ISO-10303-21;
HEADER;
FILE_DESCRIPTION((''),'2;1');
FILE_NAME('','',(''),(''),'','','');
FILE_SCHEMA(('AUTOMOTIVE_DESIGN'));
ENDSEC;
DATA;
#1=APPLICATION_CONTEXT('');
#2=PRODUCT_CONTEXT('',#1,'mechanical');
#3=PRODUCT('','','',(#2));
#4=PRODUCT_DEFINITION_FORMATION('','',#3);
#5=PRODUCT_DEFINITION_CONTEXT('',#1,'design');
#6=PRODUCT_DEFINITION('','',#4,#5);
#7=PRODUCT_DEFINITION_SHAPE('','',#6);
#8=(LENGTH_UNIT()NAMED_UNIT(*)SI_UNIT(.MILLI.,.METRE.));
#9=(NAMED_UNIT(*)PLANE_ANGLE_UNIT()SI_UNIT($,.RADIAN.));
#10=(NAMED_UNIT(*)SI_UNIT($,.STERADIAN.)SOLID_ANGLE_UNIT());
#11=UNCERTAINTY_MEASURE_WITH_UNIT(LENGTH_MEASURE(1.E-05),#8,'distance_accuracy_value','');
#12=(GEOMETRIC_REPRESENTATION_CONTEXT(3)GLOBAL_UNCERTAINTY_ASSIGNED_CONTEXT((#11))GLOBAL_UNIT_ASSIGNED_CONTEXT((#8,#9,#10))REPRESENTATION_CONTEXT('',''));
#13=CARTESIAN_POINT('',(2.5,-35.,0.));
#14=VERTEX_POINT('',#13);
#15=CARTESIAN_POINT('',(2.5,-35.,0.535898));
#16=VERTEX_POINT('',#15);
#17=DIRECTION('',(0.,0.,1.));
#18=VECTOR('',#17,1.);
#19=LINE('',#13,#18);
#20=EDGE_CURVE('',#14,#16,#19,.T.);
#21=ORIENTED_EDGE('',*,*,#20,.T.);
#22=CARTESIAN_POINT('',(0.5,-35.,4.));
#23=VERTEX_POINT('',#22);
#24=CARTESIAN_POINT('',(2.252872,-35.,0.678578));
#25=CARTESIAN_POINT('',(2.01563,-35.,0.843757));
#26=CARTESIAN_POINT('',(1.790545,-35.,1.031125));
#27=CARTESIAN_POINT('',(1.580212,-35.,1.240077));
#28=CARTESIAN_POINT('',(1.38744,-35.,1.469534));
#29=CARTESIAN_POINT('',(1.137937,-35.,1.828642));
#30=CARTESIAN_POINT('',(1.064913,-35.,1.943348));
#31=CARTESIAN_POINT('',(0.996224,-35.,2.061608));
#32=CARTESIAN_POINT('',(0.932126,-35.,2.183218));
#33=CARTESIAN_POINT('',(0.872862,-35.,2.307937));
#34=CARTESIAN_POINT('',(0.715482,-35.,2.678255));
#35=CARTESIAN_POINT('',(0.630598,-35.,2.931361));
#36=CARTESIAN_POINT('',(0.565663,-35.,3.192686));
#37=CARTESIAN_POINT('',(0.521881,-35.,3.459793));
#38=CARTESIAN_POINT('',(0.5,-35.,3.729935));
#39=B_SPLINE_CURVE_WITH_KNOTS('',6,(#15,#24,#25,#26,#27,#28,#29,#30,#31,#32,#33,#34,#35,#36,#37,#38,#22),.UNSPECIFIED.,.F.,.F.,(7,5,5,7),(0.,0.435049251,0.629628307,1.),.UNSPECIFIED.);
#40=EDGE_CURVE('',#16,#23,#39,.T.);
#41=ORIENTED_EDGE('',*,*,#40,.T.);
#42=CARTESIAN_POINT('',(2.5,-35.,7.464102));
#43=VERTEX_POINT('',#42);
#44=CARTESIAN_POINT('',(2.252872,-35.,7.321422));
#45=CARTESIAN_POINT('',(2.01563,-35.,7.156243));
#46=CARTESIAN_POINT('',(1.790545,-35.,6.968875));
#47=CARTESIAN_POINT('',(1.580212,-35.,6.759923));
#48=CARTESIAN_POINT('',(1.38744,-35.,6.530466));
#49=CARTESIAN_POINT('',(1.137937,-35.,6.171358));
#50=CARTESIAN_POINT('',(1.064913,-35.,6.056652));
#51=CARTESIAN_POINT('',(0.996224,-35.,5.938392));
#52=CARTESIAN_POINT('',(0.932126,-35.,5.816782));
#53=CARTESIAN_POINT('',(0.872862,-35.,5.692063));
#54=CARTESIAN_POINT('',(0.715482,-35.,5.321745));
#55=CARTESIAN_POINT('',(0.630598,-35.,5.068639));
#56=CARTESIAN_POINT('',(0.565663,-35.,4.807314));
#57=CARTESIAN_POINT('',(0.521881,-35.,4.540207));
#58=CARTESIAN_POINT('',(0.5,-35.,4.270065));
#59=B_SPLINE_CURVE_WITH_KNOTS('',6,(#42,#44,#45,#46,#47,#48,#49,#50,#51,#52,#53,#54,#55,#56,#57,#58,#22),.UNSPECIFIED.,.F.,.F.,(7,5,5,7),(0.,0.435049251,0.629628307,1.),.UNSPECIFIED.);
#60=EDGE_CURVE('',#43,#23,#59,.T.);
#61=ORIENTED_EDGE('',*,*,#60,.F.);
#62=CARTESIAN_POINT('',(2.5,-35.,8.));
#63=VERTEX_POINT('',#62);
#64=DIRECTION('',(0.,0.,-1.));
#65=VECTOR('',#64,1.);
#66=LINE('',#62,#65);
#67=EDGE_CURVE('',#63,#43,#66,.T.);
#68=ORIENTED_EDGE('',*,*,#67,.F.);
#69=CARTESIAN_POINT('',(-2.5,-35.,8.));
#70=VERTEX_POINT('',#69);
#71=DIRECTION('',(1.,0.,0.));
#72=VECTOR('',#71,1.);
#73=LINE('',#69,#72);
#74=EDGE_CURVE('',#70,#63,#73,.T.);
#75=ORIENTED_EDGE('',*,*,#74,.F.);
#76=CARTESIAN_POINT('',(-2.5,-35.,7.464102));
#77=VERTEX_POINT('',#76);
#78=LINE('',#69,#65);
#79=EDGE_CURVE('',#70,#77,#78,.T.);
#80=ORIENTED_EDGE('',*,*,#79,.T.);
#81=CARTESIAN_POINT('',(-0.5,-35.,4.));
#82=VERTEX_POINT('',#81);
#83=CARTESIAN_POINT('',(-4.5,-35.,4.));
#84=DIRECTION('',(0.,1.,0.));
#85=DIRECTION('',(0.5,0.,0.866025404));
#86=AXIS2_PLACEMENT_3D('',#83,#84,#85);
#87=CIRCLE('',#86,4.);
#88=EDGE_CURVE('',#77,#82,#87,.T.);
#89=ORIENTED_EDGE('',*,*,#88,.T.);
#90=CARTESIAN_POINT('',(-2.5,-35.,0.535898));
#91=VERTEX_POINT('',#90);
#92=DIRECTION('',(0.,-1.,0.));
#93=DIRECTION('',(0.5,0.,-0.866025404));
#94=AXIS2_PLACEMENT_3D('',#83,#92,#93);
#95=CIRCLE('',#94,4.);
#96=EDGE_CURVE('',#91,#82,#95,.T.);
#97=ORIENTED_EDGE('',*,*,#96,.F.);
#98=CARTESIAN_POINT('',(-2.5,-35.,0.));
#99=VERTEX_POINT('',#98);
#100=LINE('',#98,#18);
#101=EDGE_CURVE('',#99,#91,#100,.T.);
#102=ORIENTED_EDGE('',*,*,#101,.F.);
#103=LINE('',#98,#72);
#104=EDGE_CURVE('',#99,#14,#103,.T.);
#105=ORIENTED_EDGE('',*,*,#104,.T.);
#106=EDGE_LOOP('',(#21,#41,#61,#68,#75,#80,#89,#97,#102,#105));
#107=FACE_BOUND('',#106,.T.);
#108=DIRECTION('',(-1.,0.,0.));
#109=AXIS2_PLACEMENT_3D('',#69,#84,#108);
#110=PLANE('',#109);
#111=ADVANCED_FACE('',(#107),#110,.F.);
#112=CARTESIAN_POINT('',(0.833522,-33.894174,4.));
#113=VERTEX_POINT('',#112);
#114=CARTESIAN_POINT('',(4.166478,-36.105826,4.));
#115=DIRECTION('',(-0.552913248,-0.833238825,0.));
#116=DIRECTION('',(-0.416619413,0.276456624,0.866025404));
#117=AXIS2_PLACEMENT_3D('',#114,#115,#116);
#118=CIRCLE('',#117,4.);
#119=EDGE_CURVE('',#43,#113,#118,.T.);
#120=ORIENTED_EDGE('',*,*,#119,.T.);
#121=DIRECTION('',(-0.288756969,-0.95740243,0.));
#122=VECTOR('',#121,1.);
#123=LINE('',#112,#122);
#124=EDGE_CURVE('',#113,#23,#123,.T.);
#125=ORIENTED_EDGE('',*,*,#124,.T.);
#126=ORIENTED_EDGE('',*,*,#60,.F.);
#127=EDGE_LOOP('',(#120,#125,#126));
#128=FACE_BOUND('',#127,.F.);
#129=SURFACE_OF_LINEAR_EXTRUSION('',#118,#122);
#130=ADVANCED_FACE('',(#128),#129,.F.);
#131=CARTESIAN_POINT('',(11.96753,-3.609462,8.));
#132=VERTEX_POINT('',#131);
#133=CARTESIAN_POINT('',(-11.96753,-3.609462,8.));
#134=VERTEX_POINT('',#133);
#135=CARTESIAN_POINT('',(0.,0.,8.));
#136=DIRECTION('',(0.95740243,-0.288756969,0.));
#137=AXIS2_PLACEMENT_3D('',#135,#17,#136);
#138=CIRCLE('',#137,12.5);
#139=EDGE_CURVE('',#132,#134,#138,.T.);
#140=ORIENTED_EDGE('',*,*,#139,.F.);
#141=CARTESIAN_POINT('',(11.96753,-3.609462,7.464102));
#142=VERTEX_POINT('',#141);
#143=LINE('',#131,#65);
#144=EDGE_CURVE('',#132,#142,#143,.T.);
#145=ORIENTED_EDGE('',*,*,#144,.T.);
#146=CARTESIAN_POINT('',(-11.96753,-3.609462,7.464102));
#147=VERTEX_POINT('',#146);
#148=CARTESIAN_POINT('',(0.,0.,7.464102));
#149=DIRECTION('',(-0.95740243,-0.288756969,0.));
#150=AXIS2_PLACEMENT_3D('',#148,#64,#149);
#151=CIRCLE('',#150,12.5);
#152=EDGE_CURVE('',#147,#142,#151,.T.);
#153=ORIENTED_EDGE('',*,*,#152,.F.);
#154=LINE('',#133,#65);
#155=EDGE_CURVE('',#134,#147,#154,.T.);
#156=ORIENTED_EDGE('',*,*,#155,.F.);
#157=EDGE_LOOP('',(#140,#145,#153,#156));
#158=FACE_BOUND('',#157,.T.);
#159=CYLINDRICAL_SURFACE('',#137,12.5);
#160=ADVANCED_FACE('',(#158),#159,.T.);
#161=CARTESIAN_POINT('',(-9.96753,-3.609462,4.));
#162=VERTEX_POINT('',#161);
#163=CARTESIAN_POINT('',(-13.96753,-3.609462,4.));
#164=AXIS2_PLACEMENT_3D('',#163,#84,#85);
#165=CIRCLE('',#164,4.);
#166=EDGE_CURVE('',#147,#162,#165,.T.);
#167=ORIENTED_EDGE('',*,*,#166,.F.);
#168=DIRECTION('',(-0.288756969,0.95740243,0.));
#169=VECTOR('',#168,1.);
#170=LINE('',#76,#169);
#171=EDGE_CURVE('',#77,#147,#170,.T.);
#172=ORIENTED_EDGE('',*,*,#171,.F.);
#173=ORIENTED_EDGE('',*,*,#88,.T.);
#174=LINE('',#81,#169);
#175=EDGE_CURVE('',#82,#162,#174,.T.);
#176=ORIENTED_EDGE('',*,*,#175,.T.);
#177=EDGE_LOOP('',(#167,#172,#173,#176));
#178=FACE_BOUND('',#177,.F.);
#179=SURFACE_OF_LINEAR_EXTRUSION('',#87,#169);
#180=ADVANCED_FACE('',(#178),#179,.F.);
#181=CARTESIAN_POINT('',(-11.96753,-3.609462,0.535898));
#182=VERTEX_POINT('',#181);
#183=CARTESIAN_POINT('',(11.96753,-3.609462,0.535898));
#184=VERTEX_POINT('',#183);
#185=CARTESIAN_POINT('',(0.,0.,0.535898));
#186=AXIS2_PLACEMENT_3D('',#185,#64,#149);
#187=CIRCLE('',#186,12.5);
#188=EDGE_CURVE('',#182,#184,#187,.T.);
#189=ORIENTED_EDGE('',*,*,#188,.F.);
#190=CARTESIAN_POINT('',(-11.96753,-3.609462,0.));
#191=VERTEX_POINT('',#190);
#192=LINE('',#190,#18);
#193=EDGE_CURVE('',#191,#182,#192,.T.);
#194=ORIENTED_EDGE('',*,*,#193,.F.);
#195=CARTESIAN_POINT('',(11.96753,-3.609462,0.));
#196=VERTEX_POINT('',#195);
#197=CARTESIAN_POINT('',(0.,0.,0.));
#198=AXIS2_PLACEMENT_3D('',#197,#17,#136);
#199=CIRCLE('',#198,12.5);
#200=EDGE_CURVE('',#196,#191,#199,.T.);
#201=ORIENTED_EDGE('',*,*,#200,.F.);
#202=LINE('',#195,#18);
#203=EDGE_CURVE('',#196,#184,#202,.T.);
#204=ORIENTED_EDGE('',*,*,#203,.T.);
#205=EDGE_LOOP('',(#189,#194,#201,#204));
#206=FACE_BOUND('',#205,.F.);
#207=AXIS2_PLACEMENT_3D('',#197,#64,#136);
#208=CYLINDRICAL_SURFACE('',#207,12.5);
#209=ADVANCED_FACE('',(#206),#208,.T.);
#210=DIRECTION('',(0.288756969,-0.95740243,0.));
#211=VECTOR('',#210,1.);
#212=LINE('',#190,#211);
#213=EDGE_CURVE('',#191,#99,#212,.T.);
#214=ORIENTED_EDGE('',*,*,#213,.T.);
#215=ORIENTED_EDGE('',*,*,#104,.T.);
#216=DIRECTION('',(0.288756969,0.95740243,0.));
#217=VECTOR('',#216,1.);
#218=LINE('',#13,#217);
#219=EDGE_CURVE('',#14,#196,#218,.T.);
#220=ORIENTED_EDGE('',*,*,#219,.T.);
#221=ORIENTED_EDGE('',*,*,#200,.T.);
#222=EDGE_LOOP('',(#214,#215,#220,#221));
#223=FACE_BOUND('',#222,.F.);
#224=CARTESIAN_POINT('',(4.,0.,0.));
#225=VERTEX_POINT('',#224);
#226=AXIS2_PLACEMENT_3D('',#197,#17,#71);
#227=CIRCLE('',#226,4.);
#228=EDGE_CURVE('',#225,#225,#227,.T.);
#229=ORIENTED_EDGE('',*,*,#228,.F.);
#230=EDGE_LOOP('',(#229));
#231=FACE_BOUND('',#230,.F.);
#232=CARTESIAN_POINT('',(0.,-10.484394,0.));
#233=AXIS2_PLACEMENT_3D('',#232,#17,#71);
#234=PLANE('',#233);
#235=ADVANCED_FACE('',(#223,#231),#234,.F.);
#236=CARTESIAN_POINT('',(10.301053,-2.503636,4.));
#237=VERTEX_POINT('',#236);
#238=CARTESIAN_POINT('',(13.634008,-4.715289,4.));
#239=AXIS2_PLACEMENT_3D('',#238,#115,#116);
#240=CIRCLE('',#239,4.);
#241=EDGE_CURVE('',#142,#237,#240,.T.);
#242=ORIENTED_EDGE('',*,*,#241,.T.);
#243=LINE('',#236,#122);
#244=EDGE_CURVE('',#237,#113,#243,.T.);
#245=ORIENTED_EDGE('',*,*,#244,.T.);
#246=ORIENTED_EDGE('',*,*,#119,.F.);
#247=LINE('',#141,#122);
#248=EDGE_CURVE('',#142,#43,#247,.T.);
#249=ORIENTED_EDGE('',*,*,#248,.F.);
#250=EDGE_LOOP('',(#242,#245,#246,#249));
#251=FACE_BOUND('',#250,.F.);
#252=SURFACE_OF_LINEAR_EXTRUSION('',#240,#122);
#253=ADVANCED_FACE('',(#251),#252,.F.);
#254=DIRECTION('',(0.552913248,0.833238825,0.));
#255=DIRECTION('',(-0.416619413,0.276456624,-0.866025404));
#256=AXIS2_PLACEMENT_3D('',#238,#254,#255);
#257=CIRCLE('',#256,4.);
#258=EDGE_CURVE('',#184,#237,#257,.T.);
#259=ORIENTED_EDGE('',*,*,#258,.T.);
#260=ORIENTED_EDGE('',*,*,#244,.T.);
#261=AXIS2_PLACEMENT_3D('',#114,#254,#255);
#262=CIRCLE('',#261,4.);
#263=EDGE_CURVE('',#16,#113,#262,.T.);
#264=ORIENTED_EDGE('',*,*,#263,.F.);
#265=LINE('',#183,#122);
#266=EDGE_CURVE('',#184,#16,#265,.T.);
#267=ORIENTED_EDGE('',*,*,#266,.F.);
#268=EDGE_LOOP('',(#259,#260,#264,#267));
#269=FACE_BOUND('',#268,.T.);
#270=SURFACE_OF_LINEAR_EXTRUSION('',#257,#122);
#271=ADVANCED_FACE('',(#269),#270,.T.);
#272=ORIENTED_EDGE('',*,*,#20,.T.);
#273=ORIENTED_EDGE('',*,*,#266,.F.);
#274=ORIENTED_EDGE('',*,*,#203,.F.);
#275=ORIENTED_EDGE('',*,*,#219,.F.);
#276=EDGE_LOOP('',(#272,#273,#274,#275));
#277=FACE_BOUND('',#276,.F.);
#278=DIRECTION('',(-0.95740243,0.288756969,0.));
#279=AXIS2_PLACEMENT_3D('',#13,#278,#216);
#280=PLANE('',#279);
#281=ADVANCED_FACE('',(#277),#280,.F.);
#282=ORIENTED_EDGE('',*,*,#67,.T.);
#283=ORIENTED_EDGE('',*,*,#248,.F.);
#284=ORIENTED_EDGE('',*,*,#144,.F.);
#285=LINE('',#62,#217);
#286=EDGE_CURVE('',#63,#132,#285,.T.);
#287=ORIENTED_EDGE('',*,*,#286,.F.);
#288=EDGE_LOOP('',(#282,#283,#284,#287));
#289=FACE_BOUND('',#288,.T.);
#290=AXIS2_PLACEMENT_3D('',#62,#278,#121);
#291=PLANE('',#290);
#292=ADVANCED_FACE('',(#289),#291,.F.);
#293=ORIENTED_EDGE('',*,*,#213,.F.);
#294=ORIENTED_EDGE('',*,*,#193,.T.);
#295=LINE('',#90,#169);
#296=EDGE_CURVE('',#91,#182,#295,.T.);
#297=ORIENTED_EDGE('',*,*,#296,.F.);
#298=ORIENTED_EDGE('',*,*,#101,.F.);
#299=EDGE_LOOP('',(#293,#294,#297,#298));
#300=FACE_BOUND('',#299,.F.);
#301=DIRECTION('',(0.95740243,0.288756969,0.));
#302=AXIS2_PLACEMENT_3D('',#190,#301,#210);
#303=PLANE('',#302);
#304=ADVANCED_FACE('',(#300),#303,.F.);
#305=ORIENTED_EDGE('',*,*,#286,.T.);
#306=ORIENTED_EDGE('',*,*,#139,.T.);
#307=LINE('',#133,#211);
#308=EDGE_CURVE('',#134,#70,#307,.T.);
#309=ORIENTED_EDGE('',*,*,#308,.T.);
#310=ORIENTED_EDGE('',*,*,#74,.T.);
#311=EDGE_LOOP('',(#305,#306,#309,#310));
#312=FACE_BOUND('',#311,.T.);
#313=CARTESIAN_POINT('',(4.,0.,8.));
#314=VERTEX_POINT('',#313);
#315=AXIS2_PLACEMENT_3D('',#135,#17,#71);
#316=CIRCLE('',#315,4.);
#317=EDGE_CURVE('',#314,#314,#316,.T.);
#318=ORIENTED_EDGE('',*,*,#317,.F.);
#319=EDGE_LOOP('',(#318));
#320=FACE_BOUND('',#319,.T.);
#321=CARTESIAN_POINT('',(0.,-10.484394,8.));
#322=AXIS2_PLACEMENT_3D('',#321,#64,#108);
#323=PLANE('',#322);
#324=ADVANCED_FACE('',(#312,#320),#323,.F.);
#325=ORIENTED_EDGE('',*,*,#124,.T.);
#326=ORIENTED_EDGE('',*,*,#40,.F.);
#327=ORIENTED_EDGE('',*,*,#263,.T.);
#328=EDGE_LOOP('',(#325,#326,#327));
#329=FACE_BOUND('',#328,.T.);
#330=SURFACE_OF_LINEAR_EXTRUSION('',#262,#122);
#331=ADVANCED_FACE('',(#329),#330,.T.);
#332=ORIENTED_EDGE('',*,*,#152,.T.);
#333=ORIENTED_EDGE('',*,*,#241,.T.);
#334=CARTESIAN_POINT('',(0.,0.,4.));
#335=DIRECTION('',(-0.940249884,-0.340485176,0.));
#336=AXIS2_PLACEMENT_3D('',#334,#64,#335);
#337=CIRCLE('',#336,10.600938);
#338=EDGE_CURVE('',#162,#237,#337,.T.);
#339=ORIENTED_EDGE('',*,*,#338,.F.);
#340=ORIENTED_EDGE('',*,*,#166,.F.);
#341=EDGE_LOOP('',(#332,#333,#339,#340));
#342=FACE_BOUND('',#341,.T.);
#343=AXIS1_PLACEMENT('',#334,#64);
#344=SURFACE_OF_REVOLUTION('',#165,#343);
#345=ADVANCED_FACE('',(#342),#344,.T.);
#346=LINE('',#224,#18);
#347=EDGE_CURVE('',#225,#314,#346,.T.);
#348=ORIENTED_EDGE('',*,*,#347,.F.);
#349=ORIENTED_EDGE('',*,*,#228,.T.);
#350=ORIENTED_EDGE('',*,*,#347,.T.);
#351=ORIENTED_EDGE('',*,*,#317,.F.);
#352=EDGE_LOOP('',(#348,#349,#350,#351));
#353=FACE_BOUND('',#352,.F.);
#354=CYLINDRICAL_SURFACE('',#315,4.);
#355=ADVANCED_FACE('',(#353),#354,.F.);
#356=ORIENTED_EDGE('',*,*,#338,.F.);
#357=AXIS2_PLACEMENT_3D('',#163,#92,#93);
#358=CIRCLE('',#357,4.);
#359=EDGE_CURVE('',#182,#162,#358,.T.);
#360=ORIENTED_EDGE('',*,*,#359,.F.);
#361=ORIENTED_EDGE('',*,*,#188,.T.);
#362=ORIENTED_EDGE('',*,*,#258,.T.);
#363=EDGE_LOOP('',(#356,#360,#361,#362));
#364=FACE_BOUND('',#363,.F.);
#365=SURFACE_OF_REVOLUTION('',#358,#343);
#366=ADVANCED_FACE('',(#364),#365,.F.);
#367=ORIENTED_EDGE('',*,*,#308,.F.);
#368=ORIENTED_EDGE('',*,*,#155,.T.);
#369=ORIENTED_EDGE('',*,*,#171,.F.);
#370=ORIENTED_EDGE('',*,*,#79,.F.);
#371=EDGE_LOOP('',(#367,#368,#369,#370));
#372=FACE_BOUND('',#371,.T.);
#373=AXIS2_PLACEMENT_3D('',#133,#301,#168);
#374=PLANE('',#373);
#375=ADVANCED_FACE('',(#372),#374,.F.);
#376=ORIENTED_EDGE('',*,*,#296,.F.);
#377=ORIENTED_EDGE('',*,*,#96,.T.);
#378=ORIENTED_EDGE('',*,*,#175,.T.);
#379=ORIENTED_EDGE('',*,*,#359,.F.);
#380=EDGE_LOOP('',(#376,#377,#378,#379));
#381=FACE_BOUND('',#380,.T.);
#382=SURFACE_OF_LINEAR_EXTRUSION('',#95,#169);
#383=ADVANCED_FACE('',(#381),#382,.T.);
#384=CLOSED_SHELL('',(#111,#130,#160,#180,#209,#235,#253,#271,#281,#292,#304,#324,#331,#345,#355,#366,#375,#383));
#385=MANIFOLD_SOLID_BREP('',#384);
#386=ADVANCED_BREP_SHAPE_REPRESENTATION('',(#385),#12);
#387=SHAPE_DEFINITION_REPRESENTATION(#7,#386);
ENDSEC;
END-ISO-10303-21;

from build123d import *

# Parameters (mm, degrees)
F0_R     = 4
F1_DEPTH = 4


with BuildPart() as f1:
    # F0 (on Top) → F1 (new body)
    with BuildSketch(Plane.XY):
        with BuildLine():
            Line((2.5, -35), (11.9675303731, -3.6094621162))
            ThreePointArc((11.9675303731, -3.6094621162), (0, 12.5), (-11.9675303731, -3.6094621162))
            Line((-11.9675303731, -3.6094621162), (-2.5, -35))
            Line((-2.5, -35), (2.5, -35))
        make_face()
        Circle(F0_R, mode=Mode.SUBTRACT)
    extrude(amount=F1_DEPTH)

    # F4: sweep along a path in F4_path
    with BuildLine(Plane(origin=(-11.9675303731, -3.6094621162, 4), x_dir=(0, 1, 0), z_dir=(0, 0, 1))) as f4_path:
        Line((-31.3905378838, -9.4675303731), (0, 0))
        ThreePointArc((0, 0), (16.1094621162, -11.9675303731), (0, -23.9350607463))
        Line((0, -23.9350607463), (-31.3905378838, -14.4675303731))
        Line((-31.3905378838, -14.4675303731), (-38.5466098599, -12.309226204))
    # F3 (on face) → F4 (sweep, cut)
    with BuildSketch(Plane.XZ.offset(35)):
        with BuildLine():
            ThreePointArc((-2.5, 0.5358983849), (-1.0358983849, 2), (-0.5, 4))
            Line((-0.5, 4), (-2.5, 4))
            Line((-2.5, 4), (-2.5, 0.5358983849))
        make_face()
    sweep(path=f4_path.line, mode=Mode.SUBTRACT)

    # F5: F1 across face


with BuildPart() as f1_1:
    add(f1.part)
    add(f1.part.mirror(Plane(origin=(-0.0002320259, -7.7910771971, 4), x_dir=(1, 0, 0), z_dir=(0, 0, 1))))


solid = f1_1.part
